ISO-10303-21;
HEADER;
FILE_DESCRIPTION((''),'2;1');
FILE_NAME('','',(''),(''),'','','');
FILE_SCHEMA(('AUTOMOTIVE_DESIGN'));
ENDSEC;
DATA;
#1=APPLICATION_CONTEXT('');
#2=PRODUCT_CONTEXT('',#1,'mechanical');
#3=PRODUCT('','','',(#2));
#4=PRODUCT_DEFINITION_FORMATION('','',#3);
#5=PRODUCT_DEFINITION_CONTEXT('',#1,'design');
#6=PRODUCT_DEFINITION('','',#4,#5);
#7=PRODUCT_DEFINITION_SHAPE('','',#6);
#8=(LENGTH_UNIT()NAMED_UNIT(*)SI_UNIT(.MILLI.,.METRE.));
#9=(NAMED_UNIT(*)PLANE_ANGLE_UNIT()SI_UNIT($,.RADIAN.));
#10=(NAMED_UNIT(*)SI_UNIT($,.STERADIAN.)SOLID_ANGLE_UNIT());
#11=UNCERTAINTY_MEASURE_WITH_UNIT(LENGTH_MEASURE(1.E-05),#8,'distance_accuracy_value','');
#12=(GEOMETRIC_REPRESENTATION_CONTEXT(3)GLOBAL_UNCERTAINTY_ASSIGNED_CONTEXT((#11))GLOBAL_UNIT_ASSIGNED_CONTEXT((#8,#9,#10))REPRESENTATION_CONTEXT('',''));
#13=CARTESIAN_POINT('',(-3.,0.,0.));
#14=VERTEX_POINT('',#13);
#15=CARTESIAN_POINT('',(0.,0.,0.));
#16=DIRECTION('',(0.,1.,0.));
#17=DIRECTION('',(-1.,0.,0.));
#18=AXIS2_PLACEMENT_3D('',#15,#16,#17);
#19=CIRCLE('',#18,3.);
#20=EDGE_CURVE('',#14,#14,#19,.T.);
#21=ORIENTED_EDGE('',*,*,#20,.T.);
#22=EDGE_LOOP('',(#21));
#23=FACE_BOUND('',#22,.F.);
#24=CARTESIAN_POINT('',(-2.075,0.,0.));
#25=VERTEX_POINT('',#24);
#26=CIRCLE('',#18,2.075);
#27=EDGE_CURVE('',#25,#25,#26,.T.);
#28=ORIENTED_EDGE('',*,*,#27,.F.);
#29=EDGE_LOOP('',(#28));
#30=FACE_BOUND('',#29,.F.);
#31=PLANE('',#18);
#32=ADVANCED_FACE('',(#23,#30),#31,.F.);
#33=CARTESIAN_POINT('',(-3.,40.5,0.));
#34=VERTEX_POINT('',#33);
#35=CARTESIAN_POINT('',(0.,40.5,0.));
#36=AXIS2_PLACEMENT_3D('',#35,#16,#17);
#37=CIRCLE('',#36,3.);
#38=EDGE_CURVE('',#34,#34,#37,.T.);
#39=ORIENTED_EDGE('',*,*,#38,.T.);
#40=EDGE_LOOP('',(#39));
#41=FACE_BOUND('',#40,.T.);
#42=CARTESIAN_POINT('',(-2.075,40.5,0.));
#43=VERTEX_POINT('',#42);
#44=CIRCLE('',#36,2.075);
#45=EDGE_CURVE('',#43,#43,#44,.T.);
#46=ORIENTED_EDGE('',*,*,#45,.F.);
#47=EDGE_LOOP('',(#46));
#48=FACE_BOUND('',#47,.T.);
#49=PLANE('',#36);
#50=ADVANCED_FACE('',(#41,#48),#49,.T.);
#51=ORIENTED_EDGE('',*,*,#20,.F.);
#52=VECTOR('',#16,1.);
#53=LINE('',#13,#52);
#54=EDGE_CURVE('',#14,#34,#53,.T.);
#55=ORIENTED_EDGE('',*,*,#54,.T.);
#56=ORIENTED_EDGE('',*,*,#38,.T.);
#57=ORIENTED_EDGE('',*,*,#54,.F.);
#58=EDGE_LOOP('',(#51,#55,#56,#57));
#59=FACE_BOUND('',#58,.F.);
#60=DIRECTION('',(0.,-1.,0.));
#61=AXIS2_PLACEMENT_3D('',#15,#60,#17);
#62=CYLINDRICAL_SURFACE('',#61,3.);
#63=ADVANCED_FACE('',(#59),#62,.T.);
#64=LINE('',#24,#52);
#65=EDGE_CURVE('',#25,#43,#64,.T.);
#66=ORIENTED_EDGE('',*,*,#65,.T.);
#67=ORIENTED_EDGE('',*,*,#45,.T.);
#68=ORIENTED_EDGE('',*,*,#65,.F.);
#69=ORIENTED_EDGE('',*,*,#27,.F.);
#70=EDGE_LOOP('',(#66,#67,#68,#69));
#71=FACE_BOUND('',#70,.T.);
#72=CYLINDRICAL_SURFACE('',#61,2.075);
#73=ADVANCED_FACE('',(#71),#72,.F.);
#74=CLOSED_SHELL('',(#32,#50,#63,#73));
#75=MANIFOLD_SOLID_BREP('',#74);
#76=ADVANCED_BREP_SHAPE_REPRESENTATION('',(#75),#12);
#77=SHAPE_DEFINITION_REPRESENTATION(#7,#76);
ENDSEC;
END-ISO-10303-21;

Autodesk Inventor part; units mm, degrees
ref_plane "YZ Plane" through (0, 0, 0) normal (1, 0, 0) x (0, 1, 0)
ref_plane "XZ Plane" through (0, 0, 0) normal (0, 1, 0) x (-1, 0, 0)
ref_plane "XY Plane" through (0, 0, 0) normal (0, 0, 1) x (1, 0, 0)
sketch "Sketch1" plane through (0, 0, 0) normal (0, 1, 0) x (-1, 0, 0)
  circle A0 centre (0, 0) radius 2.075
  circle A1 centre (0, 0) radius 3
  dimension "d0" = 4.15
  dimension "d1" = 6
extrude "Extrusion1" add sketch "Sketch1" along normal blind 40.5
properties part number "M4 Rod Housing"
